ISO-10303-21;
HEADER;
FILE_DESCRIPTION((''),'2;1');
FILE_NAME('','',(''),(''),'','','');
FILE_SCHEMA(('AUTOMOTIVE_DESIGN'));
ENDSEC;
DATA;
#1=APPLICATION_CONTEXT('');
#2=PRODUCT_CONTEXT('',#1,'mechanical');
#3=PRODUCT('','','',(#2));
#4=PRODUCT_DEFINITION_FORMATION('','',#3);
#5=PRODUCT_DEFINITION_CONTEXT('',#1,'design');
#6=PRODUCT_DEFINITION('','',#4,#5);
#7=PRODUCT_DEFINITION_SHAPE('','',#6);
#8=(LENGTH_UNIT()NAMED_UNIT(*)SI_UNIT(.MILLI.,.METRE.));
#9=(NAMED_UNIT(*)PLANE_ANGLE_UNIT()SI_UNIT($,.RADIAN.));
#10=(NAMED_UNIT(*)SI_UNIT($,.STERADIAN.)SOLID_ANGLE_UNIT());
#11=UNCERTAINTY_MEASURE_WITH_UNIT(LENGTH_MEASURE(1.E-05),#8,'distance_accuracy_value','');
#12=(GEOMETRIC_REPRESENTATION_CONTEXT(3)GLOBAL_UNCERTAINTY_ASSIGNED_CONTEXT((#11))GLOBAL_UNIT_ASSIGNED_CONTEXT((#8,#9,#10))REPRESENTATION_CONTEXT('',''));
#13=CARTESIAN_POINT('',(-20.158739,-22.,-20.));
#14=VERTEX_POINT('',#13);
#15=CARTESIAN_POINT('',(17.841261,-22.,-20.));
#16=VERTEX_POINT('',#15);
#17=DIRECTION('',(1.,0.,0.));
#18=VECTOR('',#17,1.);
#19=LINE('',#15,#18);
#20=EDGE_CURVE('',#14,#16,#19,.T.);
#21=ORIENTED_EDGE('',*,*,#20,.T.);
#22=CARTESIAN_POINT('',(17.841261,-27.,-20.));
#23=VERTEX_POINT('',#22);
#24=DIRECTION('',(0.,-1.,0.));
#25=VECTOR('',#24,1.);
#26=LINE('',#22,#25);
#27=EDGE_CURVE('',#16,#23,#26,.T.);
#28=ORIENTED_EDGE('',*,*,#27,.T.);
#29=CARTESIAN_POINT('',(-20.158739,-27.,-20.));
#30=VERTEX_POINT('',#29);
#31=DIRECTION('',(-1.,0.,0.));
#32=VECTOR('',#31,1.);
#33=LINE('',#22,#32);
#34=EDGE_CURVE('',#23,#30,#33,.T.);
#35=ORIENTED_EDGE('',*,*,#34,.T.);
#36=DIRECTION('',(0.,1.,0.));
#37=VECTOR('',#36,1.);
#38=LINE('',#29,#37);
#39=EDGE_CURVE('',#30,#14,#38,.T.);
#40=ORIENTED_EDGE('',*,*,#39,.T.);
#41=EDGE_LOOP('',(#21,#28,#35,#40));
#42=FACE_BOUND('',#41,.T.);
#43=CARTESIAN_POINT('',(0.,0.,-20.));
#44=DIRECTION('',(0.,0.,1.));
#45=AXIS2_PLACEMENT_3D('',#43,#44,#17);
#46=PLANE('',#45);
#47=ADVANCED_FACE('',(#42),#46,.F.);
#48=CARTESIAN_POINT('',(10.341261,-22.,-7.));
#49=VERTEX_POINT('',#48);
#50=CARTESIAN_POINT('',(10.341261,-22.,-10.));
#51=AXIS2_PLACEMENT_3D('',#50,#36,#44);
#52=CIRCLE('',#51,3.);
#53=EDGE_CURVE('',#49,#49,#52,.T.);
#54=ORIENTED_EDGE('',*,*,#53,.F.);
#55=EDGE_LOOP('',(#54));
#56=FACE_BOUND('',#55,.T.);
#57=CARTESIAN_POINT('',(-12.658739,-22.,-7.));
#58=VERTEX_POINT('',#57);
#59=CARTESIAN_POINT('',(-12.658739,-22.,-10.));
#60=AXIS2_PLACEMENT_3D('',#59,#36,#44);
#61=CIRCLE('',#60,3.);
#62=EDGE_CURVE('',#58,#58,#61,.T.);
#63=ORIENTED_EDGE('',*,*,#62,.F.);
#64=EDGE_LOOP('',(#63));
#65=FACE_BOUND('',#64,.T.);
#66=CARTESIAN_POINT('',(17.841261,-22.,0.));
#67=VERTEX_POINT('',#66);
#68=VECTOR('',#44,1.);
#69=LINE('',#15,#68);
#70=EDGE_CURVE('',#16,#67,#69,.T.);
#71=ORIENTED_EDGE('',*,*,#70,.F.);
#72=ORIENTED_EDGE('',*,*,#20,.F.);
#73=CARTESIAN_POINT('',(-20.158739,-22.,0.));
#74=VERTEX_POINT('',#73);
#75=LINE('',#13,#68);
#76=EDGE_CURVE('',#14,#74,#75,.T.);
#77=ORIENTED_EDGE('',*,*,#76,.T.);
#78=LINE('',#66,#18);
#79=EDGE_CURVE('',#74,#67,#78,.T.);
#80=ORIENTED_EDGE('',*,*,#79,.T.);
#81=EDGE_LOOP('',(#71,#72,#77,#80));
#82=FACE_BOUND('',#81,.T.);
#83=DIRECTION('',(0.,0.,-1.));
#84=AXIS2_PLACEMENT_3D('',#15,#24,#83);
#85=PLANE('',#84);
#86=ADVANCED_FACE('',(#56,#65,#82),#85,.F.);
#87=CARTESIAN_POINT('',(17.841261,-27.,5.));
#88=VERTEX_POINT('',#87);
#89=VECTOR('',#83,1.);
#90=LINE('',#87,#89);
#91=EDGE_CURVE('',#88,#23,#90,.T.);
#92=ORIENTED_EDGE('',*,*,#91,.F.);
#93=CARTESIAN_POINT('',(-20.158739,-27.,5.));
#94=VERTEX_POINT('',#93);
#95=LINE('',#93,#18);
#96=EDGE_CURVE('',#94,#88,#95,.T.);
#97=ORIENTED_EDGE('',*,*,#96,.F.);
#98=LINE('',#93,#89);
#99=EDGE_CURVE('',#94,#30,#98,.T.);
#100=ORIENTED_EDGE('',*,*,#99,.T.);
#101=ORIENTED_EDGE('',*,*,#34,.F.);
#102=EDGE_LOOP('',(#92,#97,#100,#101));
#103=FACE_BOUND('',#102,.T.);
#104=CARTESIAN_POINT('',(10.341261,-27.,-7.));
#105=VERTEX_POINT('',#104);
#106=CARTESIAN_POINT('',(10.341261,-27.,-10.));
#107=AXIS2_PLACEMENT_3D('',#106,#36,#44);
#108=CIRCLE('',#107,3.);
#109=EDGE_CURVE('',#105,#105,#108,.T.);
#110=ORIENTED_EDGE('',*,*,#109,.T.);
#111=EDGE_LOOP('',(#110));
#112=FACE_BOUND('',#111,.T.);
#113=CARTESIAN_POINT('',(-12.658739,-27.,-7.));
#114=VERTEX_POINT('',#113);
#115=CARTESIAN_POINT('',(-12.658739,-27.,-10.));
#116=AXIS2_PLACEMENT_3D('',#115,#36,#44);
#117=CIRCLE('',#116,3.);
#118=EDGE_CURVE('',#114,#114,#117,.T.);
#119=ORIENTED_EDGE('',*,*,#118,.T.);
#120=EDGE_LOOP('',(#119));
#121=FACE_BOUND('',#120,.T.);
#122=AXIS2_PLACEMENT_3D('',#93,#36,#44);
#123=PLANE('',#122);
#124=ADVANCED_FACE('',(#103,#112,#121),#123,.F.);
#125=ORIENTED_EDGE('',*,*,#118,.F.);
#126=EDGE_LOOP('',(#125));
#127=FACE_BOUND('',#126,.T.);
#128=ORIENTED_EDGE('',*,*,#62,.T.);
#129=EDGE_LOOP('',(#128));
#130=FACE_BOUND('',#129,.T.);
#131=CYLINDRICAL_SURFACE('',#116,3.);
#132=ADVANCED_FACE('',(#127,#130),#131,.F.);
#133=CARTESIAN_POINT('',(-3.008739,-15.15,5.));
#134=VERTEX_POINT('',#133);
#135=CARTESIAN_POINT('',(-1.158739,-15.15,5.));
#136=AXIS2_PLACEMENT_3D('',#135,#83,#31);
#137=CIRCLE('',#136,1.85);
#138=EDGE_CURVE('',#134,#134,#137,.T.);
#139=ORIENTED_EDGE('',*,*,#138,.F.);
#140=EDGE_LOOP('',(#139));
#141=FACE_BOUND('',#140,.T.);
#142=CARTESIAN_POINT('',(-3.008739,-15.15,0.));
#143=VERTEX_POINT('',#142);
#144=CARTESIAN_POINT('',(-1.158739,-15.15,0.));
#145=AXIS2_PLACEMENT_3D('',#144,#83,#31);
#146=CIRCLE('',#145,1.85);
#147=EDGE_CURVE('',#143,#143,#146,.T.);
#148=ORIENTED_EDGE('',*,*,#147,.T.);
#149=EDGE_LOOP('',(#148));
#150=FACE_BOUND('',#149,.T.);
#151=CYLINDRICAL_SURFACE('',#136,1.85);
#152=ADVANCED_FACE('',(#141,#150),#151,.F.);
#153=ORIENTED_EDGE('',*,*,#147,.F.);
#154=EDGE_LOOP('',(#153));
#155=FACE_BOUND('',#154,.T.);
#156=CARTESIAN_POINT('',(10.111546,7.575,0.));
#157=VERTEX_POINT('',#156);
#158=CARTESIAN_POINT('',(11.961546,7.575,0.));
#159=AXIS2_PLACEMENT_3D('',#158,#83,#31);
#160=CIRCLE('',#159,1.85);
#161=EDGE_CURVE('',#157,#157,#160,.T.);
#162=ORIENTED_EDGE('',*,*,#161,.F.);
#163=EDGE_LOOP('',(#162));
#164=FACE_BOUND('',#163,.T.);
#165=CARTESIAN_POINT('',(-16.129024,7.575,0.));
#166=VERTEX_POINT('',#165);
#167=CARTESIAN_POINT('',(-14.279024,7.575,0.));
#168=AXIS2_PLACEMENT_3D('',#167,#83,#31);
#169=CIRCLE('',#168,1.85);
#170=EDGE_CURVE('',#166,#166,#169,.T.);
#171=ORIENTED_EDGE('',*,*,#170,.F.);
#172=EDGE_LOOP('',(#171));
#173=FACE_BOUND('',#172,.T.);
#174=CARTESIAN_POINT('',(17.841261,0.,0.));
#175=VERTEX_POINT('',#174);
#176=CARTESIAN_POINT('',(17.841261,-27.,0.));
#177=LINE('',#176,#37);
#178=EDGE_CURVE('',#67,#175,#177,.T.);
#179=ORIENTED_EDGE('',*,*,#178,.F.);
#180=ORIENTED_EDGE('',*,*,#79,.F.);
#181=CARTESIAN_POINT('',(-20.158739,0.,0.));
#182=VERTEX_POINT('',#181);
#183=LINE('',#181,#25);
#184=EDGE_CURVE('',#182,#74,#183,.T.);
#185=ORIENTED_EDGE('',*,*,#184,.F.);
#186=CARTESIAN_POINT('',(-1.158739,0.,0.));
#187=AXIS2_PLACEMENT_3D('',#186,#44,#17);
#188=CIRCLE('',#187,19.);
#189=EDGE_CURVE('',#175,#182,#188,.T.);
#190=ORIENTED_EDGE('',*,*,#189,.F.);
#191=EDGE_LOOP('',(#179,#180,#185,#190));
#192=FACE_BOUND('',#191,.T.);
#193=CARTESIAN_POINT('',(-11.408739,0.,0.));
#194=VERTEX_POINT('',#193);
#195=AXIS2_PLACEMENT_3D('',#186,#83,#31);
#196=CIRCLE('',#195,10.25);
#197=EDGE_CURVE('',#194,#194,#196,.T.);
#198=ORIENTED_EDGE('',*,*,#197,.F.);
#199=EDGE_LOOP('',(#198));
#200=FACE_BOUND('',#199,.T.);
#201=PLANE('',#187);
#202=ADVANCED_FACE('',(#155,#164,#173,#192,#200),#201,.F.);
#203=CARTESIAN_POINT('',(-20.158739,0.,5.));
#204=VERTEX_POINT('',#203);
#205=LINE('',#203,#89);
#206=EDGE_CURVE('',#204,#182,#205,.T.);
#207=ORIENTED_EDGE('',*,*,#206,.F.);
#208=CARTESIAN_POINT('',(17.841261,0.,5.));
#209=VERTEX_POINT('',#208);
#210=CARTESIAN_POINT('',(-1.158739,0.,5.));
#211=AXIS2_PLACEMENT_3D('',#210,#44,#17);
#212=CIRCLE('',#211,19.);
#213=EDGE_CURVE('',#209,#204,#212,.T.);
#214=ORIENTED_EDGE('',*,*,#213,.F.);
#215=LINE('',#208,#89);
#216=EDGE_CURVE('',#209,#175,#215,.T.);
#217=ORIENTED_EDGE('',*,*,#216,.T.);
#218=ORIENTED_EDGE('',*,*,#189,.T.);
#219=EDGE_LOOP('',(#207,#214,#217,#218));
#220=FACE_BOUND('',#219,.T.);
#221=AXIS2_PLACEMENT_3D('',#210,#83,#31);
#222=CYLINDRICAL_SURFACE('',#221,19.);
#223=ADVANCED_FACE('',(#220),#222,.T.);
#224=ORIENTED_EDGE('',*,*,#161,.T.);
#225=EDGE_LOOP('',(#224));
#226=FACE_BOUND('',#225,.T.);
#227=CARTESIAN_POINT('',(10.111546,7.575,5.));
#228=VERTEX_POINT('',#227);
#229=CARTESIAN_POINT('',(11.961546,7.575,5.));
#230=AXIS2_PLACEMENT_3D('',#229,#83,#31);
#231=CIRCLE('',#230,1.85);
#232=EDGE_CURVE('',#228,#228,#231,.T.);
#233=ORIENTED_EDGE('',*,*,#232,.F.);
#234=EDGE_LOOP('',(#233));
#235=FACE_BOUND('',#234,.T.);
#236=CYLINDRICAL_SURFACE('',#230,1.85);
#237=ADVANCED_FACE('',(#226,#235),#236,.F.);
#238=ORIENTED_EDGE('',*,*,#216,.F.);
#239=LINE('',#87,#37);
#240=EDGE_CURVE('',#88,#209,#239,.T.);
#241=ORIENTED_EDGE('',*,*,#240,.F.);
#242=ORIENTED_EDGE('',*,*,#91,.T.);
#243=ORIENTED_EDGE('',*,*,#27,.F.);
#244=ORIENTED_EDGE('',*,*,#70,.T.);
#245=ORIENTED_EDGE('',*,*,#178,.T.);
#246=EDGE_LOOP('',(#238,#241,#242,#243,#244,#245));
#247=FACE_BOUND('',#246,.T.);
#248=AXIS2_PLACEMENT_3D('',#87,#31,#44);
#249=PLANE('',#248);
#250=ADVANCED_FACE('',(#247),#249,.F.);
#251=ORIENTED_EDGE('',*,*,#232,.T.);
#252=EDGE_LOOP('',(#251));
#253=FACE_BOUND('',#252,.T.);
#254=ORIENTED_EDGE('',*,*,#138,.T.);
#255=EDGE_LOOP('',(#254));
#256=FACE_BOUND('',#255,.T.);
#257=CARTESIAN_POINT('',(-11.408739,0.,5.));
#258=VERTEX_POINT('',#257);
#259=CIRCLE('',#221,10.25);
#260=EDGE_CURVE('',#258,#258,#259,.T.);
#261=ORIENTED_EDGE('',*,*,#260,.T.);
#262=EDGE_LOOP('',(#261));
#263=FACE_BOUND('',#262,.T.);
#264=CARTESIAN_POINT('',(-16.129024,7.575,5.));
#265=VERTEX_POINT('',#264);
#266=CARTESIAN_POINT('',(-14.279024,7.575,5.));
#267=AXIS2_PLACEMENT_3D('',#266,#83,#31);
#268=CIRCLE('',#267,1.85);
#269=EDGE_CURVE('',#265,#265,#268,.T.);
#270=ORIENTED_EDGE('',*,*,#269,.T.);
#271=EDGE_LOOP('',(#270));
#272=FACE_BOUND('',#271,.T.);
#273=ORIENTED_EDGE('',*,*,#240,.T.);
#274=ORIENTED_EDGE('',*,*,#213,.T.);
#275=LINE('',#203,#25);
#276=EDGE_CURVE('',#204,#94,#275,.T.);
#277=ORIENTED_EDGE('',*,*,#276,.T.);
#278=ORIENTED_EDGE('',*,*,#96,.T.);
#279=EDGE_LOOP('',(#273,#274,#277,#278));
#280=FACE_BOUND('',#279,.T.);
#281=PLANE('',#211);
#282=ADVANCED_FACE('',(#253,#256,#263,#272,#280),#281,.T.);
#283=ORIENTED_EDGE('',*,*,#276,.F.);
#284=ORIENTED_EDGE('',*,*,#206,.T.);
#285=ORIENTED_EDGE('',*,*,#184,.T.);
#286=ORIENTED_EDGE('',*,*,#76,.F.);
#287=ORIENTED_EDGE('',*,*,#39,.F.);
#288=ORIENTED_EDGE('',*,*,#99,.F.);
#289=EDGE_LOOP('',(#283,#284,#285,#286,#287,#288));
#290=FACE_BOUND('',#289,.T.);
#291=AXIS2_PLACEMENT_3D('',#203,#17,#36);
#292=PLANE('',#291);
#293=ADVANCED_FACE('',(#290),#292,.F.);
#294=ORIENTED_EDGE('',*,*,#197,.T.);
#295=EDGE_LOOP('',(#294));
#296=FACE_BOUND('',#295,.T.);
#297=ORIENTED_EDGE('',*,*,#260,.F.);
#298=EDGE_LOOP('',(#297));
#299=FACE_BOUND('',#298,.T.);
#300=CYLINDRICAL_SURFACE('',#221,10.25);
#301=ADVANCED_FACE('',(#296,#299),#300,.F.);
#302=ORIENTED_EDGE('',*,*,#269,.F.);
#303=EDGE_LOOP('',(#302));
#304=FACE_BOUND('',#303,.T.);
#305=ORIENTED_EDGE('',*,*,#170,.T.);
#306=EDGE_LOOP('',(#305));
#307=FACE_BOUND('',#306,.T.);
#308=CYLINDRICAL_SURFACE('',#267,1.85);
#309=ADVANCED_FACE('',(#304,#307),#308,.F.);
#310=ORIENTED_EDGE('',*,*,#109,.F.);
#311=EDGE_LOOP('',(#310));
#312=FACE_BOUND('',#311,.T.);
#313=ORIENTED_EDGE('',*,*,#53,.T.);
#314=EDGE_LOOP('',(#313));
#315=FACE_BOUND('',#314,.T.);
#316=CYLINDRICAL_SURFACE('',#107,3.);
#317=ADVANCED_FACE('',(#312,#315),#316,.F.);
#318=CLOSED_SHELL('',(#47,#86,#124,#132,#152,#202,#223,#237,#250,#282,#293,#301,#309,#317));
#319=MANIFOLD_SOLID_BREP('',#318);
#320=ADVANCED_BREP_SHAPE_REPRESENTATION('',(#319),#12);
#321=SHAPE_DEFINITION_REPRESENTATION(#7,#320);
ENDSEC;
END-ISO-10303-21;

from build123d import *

# Parameters (mm, degrees)
BOSS_EXTRUDE1_DEPTH = 5
SKETCH2_R           = 10.25
SKETCH2_R_2         = 1.85
CUT_EXTRUDE1_DEPTH  = 6
SKETCH3_W           = 38
SKETCH3_H           = 5
BOSS_EXTRUDE2_DEPTH = 20
SKETCH4_R           = 3
CUT_EXTRUDE2_DEPTH  = 6


with BuildPart() as part:
    # Sketch1 → Boss-Extrude1 (new body)
    with BuildSketch(Plane.XY):
        with BuildLine():
            Line((-20.15873891, 0), (-20.15873891, -27))
            Line((-20.15873891, -27), (17.84126109, -27))
            Line((17.84126109, -27), (17.84126109, 0))
            ThreePointArc((17.84126109, 0), (-1.15873891, 19), (-20.15873891, 0))
        make_face()
    extrude(amount=BOSS_EXTRUDE1_DEPTH)

    # Sketch2 → Cut-Extrude1 (cut, through all)
    with BuildSketch(Plane(origin=(0, 0, 0), x_dir=(-1, 0, 0), z_dir=(0, 0, -1))):
        with Locations((1.15873891, 0)):
            Circle(SKETCH2_R)
        with Locations((1.15873891, -15.15)):
            Circle(SKETCH2_R_2)
        with Locations((-11.961545957, 7.575)):
            Circle(SKETCH2_R_2)
        with Locations((14.279023778, 7.575)):
            Circle(SKETCH2_R_2)
    extrude(amount=-CUT_EXTRUDE1_DEPTH, mode=Mode.SUBTRACT)

    # Sketch3 → Boss-Extrude2 (add)
    with BuildSketch(Plane(origin=(0, 0, 0), x_dir=(-1, 0, 0), z_dir=(0, 0, -1))):
        with Locations((1.15873891, -24.5)):
            Rectangle(SKETCH3_W, SKETCH3_H)
    extrude(amount=BOSS_EXTRUDE2_DEPTH)

    # Sketch4 → Cut-Extrude2 (cut, through all)
    with BuildSketch(Plane(origin=(0, -22, 0), x_dir=(1, 0, 0), z_dir=(0, 1, 0))):
        with Locations((10.34126109, 10)):
            Circle(SKETCH4_R)
        with Locations((-12.65873891, 10)):
            Circle(SKETCH4_R)
    extrude(amount=-CUT_EXTRUDE2_DEPTH, mode=Mode.SUBTRACT)


solid = part.part
